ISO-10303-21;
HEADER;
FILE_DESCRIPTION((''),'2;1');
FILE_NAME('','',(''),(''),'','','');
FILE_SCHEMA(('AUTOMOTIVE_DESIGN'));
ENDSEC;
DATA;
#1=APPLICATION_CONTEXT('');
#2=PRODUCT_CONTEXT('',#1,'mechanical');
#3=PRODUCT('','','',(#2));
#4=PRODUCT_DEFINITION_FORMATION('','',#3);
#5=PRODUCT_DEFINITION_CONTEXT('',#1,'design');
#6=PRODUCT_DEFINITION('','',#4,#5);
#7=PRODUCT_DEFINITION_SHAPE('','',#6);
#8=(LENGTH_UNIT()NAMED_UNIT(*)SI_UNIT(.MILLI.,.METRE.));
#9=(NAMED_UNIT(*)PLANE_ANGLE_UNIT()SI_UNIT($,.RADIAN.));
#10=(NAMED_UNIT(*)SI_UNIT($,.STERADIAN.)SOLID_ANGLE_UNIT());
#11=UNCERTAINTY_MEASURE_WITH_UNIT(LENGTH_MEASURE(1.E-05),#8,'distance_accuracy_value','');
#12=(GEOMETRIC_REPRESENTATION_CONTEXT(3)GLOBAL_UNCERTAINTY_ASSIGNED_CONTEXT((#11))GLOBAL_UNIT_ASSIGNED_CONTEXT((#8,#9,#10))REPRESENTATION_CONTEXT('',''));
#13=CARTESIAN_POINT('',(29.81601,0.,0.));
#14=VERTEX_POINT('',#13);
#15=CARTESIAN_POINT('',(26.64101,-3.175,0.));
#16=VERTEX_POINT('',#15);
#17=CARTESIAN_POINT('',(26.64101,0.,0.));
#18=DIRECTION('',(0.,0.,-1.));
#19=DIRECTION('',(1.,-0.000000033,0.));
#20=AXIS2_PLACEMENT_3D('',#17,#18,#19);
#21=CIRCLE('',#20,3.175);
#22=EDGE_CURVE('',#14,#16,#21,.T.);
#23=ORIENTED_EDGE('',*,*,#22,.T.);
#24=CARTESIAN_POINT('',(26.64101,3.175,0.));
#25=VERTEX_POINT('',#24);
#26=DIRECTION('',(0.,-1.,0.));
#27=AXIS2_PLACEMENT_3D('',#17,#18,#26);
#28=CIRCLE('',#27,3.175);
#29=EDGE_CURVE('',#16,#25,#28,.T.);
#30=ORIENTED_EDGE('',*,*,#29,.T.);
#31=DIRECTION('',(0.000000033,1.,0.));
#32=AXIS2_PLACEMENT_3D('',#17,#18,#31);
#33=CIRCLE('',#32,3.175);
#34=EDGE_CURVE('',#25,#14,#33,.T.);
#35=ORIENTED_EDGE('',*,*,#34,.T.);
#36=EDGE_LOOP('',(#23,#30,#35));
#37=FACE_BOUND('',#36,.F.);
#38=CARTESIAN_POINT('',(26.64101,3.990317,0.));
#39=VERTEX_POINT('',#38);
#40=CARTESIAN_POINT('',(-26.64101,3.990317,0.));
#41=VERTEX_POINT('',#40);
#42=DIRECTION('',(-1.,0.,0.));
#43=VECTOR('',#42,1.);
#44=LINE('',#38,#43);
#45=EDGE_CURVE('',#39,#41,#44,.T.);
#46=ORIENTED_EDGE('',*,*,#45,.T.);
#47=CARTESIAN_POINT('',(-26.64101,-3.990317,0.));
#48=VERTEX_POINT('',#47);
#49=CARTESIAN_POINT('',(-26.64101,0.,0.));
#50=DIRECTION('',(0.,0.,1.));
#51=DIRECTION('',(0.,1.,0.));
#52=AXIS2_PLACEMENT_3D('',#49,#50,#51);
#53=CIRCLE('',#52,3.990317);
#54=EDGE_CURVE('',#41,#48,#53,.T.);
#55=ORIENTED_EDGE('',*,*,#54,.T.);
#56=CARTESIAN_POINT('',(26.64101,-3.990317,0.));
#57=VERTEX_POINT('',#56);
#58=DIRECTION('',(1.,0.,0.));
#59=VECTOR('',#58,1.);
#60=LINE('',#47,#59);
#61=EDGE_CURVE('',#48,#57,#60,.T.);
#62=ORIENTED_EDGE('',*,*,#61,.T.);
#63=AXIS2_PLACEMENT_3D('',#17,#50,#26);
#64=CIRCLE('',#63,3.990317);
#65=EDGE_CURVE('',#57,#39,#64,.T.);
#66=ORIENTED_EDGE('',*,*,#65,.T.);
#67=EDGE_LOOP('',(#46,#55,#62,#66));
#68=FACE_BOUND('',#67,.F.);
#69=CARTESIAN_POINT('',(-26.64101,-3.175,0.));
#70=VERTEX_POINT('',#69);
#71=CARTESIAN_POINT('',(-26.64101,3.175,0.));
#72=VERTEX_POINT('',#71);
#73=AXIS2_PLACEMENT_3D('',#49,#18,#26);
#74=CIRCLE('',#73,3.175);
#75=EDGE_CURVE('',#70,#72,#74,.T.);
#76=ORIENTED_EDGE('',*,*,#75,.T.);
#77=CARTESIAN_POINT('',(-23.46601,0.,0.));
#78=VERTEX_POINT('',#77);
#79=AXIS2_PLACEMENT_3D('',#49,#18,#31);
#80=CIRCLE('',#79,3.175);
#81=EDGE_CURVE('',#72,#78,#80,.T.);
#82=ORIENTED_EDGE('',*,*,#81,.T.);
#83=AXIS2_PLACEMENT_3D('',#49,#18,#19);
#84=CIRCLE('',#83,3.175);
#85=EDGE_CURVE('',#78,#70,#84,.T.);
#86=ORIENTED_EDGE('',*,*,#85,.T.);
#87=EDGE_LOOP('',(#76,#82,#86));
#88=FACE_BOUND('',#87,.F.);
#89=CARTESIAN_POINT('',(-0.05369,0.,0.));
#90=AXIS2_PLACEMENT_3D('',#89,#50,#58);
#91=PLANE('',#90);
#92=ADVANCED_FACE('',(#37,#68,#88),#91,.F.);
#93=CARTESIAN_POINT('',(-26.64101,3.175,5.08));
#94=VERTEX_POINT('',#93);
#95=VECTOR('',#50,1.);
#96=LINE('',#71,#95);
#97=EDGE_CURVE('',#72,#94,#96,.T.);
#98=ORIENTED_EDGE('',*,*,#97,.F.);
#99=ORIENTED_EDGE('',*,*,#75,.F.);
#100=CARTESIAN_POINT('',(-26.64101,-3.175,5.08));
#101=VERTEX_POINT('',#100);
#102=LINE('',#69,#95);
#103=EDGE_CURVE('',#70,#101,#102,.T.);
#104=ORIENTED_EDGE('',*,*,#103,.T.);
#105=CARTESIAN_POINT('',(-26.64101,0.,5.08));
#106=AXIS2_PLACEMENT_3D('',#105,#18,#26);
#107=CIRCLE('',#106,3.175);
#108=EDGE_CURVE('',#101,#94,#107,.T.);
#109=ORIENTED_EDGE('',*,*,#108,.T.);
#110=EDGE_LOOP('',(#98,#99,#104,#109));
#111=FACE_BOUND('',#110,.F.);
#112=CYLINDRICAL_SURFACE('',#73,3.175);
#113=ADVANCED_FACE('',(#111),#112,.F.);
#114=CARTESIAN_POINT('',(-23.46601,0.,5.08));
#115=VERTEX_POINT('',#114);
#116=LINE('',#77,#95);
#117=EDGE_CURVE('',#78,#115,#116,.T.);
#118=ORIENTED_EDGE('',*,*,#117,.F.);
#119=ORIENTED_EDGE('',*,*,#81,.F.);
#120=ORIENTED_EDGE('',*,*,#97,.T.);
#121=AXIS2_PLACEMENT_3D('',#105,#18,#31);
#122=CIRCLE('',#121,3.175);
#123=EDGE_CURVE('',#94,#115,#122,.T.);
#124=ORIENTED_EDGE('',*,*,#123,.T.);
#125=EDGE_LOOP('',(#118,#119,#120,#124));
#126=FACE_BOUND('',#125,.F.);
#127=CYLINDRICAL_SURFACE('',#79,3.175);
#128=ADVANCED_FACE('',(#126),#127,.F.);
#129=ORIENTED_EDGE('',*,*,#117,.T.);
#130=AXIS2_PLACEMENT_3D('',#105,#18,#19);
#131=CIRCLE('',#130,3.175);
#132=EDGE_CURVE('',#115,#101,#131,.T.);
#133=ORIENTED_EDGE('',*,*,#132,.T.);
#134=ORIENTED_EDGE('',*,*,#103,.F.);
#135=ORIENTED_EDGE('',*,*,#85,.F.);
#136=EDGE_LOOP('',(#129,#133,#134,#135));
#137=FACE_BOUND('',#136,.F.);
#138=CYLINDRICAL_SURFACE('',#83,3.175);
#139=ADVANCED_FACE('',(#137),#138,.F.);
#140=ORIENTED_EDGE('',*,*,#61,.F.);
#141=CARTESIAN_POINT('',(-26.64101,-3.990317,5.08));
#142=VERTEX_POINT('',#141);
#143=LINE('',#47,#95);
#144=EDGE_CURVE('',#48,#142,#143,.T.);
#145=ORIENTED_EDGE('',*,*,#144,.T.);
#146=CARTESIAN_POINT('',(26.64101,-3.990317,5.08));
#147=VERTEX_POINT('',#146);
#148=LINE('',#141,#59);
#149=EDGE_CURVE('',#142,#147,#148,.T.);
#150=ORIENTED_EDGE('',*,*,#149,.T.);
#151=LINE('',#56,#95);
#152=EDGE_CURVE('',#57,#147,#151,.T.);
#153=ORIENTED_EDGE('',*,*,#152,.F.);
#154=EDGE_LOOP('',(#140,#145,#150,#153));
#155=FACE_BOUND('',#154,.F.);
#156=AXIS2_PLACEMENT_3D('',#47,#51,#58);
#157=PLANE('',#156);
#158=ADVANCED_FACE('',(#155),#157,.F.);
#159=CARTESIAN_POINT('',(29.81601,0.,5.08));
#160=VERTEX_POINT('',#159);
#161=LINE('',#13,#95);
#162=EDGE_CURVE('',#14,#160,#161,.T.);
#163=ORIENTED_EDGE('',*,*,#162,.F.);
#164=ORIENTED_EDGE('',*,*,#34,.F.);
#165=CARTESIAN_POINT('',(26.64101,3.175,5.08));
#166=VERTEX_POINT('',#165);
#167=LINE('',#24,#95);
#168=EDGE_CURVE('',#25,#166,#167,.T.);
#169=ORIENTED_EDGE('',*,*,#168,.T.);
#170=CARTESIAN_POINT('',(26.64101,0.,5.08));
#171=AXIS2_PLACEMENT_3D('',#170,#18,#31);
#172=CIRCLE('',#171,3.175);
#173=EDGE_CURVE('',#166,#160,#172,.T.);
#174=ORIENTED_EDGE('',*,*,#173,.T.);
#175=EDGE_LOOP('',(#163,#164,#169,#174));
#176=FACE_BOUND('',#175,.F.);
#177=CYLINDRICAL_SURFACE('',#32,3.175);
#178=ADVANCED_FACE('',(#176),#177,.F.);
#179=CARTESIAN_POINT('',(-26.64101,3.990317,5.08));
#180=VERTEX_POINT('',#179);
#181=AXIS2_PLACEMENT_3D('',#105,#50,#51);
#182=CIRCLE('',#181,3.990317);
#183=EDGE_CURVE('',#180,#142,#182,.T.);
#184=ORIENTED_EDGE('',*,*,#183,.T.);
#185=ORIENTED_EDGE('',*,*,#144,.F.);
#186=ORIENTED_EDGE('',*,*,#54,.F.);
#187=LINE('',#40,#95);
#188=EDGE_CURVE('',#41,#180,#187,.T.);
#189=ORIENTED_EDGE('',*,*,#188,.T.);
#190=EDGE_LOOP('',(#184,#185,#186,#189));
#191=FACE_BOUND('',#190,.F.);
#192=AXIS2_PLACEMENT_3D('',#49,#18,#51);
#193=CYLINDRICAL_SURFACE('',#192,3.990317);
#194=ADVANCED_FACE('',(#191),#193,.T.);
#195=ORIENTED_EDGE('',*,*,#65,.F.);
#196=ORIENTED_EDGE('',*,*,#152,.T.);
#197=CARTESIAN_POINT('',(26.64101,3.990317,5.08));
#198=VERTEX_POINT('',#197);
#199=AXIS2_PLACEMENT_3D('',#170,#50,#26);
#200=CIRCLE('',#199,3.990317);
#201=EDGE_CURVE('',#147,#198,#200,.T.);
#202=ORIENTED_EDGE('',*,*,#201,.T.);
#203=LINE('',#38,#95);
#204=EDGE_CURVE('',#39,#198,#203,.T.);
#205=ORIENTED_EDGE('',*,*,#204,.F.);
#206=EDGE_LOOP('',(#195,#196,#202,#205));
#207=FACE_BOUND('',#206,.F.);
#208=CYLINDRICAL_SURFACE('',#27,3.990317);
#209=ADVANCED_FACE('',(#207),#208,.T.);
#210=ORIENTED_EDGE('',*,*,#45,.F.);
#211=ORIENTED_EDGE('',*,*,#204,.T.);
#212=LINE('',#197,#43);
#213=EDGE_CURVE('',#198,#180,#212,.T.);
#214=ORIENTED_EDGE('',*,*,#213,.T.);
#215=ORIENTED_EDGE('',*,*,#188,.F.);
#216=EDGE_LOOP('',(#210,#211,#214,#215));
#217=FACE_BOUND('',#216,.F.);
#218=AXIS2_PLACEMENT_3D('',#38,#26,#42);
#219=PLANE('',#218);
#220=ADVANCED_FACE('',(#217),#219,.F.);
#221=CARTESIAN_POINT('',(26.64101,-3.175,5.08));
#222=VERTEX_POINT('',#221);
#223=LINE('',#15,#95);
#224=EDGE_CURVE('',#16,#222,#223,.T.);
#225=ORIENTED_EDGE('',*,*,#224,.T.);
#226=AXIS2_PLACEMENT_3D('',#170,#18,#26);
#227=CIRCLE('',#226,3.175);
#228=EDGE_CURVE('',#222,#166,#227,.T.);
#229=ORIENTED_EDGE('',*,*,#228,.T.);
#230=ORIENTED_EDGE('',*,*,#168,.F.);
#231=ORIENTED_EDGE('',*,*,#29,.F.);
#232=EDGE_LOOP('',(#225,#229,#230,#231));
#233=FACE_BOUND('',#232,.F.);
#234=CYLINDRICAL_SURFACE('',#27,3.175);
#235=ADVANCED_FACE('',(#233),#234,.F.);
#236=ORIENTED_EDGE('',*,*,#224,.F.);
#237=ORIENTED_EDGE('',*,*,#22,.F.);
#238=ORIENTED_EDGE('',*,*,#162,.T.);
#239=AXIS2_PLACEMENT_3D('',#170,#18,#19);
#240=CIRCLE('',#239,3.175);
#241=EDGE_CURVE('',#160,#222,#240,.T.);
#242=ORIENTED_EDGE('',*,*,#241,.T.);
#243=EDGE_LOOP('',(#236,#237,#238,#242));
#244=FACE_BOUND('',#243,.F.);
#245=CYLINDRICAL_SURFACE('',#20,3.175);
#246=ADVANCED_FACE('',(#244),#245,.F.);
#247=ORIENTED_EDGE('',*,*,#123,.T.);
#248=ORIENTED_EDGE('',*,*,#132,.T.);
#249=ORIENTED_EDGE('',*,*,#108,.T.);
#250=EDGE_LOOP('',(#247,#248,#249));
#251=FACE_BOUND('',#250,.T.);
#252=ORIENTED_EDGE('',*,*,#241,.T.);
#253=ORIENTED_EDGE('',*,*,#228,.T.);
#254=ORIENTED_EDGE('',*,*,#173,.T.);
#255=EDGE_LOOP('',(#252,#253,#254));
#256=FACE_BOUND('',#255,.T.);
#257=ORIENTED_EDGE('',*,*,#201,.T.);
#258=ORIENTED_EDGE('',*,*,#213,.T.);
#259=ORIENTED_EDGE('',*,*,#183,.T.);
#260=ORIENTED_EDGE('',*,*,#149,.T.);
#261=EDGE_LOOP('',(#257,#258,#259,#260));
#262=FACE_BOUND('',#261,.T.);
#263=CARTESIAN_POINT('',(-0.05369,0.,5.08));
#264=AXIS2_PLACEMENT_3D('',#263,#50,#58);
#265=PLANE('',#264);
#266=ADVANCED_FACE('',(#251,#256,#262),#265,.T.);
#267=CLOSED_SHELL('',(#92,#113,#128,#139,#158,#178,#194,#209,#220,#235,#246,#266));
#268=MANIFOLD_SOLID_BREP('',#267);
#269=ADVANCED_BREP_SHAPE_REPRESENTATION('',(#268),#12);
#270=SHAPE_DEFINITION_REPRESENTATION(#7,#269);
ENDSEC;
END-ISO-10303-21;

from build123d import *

# Parameters (mm, degrees)
F1_DEPTH = 5.08


with BuildPart() as f1:
    # F0 (on Top) → F1 (new body)
    with BuildSketch(Plane.XY):
        with BuildLine():
            Line((0, 3.990317), (-26.64101, 3.990317))
            Line((-26.64101, 3.990317), (-26.64101, 3.175))
            ThreePointArc((-26.64101, 3.175), (-24.395946, 2.245064), (-23.46601, 0))
            ThreePointArc((-23.46601, 0), (-24.395946, -2.245064), (-26.64101, -3.175))
            Line((-26.64101, -3.175), (-26.64101, -3.990317))
            Line((-26.64101, -3.990317), (0, -3.990317))
            Line((0, -3.990317), (26.64101, -3.990317))
            Line((26.64101, -3.990317), (26.64101, -3.175))
            ThreePointArc((26.64101, -3.175), (23.46601, 0), (26.64101, 3.175))
            Line((26.64101, 3.175), (26.64101, 3.990317))
            Line((26.64101, 3.990317), (0, 3.990317))
        make_face()
        with BuildLine():
            Line((-26.64101, 3.175), (-26.64101, 3.990317))
            ThreePointArc((-26.64101, 3.990317), (-30.631327, 0), (-26.64101, -3.990317))
            Line((-26.64101, -3.990317), (-26.64101, -3.175))
            ThreePointArc((-26.64101, -3.175), (-29.81601, 0), (-26.64101, 3.175))
        make_face()
        with BuildLine():
            ThreePointArc((26.64101, -3.990317), (30.631327, 0), (26.64101, 3.990317))
            Line((26.64101, 3.990317), (26.64101, 3.175))
            ThreePointArc((26.64101, 3.175), (28.886074, 2.245064), (29.81601, 0))
            ThreePointArc((29.81601, 0), (28.886074, -2.245064), (26.64101, -3.175))
            Line((26.64101, -3.175), (26.64101, -3.990317))
        make_face()
    extrude(amount=F1_DEPTH)


solid = f1.part
